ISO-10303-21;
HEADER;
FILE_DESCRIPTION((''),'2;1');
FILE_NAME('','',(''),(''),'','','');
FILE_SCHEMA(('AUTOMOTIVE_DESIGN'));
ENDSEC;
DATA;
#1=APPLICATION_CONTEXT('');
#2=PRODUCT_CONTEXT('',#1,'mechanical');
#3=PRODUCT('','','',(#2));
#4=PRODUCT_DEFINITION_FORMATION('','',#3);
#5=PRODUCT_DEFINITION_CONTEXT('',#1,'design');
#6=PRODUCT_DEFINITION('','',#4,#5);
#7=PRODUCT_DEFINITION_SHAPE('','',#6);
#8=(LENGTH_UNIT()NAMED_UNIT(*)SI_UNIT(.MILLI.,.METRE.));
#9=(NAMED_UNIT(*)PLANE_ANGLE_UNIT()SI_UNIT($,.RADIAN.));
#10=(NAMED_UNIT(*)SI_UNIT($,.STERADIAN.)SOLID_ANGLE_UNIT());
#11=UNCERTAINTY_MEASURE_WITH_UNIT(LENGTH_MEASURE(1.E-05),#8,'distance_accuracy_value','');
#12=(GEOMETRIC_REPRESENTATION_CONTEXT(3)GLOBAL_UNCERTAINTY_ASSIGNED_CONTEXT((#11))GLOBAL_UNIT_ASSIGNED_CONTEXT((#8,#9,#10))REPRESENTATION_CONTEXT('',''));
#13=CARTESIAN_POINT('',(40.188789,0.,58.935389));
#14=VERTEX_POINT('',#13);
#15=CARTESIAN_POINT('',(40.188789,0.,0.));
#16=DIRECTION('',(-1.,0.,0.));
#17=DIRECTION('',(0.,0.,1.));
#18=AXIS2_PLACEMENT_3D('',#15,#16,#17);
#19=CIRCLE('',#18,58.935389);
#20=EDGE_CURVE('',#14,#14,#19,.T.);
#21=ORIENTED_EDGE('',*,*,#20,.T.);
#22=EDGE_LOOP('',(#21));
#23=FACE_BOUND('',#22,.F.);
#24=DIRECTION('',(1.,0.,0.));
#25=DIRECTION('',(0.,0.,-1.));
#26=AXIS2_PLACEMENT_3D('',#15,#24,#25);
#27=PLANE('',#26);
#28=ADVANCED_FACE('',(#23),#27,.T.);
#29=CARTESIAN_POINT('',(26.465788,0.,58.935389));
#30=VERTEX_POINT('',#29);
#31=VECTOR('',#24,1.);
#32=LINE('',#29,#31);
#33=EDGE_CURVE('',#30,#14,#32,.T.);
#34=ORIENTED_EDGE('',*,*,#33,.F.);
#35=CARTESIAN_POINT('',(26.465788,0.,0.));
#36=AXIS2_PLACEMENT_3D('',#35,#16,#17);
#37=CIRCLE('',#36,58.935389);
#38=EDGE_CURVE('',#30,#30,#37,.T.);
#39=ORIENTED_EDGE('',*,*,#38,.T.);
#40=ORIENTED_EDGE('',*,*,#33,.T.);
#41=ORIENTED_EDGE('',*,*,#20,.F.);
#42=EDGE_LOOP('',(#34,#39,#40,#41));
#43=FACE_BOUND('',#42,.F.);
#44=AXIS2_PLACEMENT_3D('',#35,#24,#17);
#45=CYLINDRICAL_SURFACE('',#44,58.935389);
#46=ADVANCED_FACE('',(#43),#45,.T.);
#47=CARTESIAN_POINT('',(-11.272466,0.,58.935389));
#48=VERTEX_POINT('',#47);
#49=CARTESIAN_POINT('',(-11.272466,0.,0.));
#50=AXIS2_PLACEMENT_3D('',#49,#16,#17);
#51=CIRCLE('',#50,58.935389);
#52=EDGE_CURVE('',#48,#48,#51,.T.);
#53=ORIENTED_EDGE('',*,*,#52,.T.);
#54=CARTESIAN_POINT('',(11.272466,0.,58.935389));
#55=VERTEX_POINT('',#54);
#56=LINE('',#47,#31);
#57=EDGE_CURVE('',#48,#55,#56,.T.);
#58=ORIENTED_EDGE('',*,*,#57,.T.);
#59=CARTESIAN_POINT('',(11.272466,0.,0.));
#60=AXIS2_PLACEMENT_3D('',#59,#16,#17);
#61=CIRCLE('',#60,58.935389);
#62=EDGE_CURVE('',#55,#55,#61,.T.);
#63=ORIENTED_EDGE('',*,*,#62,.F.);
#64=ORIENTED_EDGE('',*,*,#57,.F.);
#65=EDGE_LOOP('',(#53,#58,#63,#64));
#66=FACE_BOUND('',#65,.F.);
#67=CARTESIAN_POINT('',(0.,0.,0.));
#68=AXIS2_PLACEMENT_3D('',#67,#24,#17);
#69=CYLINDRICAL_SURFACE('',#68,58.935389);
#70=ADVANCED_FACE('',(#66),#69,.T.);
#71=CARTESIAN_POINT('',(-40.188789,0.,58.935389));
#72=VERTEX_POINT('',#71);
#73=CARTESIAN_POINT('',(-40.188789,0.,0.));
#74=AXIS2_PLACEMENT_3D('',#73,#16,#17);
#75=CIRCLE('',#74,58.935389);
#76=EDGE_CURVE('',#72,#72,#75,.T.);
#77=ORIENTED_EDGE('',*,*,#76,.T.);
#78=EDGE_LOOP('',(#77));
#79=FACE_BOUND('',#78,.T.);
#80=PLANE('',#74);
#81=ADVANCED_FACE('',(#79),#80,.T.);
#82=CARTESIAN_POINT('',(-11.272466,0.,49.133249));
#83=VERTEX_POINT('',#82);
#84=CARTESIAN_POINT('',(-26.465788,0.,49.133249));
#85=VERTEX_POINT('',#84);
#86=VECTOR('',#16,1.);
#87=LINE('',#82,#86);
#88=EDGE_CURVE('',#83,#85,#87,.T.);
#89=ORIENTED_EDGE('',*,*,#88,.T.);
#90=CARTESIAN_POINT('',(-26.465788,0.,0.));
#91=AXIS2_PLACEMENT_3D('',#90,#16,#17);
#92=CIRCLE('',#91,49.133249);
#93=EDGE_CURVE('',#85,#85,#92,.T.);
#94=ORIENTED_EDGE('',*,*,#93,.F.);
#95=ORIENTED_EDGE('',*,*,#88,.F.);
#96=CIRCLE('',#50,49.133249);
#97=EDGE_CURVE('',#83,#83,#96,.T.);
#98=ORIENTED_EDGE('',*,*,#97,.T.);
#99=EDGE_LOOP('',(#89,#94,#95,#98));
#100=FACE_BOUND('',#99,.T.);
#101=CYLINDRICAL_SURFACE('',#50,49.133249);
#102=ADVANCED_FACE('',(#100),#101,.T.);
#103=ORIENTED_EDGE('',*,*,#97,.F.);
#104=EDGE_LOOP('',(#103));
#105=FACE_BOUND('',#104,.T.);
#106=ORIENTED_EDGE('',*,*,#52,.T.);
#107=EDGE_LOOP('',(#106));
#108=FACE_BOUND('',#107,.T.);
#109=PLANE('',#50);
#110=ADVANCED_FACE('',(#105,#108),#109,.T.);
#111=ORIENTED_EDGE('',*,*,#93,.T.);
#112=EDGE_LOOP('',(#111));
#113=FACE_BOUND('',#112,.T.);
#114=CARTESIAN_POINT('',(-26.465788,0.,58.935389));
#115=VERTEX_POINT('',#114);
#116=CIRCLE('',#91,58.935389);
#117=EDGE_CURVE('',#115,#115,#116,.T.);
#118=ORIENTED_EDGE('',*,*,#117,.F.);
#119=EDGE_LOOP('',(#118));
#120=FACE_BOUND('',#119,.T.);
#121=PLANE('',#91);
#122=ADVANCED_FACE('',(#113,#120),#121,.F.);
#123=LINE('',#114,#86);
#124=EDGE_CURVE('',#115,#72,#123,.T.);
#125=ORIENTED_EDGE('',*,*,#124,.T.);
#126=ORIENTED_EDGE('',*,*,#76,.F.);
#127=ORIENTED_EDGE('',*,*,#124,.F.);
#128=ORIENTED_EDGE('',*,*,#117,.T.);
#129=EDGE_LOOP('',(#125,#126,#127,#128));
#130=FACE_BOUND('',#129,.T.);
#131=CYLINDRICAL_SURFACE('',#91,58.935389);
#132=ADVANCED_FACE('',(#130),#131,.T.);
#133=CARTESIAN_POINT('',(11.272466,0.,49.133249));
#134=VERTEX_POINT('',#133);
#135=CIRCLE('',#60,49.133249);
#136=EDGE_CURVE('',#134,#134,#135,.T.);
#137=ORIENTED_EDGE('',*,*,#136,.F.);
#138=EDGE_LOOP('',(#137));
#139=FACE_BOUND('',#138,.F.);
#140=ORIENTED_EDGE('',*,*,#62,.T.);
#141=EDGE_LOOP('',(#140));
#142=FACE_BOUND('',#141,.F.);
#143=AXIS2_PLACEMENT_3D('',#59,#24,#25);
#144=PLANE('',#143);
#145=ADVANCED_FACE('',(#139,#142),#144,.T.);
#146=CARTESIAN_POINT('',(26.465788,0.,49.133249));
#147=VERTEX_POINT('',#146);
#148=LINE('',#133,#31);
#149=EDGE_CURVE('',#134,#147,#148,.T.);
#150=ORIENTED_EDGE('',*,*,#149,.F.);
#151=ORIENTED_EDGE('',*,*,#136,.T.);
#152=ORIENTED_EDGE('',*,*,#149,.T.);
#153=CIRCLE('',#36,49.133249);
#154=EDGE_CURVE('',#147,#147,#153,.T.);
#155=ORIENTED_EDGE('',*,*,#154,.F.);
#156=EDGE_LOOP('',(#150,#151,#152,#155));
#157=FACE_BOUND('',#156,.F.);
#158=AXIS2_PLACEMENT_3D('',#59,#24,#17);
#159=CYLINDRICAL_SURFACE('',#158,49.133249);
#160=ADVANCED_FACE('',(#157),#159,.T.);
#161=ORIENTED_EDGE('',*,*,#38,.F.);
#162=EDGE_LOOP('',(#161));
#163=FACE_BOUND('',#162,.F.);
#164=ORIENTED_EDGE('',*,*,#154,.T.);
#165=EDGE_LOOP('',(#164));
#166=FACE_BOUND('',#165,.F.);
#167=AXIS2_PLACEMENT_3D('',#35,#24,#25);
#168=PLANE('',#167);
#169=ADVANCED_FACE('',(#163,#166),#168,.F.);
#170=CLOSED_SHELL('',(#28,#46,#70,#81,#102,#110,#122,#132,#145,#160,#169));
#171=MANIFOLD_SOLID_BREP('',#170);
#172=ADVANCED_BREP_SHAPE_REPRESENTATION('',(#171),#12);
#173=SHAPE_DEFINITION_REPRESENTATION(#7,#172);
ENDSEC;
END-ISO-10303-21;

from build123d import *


with BuildPart() as f1:
    # F0 (on Front) → F1 (revolve)
    with BuildSketch(Plane.XZ):
        Polygon((-40.188789, 58.935389), (-40.188789, 0), (0, 0), (0, 58.935389), (-11.272466, 58.935389), (-11.272466, 49.133249), (-26.465788, 49.133249), (-26.465788, 58.935389), align=None)
    revolve(axis=Axis((-20.094395, 0, 0), (-1, 0, 0)))

    # F2: F1 across plane


with BuildPart() as f1_1:
    add(f1.part)
    add(f1.part.mirror(Plane.YZ))


solid = f1_1.part
